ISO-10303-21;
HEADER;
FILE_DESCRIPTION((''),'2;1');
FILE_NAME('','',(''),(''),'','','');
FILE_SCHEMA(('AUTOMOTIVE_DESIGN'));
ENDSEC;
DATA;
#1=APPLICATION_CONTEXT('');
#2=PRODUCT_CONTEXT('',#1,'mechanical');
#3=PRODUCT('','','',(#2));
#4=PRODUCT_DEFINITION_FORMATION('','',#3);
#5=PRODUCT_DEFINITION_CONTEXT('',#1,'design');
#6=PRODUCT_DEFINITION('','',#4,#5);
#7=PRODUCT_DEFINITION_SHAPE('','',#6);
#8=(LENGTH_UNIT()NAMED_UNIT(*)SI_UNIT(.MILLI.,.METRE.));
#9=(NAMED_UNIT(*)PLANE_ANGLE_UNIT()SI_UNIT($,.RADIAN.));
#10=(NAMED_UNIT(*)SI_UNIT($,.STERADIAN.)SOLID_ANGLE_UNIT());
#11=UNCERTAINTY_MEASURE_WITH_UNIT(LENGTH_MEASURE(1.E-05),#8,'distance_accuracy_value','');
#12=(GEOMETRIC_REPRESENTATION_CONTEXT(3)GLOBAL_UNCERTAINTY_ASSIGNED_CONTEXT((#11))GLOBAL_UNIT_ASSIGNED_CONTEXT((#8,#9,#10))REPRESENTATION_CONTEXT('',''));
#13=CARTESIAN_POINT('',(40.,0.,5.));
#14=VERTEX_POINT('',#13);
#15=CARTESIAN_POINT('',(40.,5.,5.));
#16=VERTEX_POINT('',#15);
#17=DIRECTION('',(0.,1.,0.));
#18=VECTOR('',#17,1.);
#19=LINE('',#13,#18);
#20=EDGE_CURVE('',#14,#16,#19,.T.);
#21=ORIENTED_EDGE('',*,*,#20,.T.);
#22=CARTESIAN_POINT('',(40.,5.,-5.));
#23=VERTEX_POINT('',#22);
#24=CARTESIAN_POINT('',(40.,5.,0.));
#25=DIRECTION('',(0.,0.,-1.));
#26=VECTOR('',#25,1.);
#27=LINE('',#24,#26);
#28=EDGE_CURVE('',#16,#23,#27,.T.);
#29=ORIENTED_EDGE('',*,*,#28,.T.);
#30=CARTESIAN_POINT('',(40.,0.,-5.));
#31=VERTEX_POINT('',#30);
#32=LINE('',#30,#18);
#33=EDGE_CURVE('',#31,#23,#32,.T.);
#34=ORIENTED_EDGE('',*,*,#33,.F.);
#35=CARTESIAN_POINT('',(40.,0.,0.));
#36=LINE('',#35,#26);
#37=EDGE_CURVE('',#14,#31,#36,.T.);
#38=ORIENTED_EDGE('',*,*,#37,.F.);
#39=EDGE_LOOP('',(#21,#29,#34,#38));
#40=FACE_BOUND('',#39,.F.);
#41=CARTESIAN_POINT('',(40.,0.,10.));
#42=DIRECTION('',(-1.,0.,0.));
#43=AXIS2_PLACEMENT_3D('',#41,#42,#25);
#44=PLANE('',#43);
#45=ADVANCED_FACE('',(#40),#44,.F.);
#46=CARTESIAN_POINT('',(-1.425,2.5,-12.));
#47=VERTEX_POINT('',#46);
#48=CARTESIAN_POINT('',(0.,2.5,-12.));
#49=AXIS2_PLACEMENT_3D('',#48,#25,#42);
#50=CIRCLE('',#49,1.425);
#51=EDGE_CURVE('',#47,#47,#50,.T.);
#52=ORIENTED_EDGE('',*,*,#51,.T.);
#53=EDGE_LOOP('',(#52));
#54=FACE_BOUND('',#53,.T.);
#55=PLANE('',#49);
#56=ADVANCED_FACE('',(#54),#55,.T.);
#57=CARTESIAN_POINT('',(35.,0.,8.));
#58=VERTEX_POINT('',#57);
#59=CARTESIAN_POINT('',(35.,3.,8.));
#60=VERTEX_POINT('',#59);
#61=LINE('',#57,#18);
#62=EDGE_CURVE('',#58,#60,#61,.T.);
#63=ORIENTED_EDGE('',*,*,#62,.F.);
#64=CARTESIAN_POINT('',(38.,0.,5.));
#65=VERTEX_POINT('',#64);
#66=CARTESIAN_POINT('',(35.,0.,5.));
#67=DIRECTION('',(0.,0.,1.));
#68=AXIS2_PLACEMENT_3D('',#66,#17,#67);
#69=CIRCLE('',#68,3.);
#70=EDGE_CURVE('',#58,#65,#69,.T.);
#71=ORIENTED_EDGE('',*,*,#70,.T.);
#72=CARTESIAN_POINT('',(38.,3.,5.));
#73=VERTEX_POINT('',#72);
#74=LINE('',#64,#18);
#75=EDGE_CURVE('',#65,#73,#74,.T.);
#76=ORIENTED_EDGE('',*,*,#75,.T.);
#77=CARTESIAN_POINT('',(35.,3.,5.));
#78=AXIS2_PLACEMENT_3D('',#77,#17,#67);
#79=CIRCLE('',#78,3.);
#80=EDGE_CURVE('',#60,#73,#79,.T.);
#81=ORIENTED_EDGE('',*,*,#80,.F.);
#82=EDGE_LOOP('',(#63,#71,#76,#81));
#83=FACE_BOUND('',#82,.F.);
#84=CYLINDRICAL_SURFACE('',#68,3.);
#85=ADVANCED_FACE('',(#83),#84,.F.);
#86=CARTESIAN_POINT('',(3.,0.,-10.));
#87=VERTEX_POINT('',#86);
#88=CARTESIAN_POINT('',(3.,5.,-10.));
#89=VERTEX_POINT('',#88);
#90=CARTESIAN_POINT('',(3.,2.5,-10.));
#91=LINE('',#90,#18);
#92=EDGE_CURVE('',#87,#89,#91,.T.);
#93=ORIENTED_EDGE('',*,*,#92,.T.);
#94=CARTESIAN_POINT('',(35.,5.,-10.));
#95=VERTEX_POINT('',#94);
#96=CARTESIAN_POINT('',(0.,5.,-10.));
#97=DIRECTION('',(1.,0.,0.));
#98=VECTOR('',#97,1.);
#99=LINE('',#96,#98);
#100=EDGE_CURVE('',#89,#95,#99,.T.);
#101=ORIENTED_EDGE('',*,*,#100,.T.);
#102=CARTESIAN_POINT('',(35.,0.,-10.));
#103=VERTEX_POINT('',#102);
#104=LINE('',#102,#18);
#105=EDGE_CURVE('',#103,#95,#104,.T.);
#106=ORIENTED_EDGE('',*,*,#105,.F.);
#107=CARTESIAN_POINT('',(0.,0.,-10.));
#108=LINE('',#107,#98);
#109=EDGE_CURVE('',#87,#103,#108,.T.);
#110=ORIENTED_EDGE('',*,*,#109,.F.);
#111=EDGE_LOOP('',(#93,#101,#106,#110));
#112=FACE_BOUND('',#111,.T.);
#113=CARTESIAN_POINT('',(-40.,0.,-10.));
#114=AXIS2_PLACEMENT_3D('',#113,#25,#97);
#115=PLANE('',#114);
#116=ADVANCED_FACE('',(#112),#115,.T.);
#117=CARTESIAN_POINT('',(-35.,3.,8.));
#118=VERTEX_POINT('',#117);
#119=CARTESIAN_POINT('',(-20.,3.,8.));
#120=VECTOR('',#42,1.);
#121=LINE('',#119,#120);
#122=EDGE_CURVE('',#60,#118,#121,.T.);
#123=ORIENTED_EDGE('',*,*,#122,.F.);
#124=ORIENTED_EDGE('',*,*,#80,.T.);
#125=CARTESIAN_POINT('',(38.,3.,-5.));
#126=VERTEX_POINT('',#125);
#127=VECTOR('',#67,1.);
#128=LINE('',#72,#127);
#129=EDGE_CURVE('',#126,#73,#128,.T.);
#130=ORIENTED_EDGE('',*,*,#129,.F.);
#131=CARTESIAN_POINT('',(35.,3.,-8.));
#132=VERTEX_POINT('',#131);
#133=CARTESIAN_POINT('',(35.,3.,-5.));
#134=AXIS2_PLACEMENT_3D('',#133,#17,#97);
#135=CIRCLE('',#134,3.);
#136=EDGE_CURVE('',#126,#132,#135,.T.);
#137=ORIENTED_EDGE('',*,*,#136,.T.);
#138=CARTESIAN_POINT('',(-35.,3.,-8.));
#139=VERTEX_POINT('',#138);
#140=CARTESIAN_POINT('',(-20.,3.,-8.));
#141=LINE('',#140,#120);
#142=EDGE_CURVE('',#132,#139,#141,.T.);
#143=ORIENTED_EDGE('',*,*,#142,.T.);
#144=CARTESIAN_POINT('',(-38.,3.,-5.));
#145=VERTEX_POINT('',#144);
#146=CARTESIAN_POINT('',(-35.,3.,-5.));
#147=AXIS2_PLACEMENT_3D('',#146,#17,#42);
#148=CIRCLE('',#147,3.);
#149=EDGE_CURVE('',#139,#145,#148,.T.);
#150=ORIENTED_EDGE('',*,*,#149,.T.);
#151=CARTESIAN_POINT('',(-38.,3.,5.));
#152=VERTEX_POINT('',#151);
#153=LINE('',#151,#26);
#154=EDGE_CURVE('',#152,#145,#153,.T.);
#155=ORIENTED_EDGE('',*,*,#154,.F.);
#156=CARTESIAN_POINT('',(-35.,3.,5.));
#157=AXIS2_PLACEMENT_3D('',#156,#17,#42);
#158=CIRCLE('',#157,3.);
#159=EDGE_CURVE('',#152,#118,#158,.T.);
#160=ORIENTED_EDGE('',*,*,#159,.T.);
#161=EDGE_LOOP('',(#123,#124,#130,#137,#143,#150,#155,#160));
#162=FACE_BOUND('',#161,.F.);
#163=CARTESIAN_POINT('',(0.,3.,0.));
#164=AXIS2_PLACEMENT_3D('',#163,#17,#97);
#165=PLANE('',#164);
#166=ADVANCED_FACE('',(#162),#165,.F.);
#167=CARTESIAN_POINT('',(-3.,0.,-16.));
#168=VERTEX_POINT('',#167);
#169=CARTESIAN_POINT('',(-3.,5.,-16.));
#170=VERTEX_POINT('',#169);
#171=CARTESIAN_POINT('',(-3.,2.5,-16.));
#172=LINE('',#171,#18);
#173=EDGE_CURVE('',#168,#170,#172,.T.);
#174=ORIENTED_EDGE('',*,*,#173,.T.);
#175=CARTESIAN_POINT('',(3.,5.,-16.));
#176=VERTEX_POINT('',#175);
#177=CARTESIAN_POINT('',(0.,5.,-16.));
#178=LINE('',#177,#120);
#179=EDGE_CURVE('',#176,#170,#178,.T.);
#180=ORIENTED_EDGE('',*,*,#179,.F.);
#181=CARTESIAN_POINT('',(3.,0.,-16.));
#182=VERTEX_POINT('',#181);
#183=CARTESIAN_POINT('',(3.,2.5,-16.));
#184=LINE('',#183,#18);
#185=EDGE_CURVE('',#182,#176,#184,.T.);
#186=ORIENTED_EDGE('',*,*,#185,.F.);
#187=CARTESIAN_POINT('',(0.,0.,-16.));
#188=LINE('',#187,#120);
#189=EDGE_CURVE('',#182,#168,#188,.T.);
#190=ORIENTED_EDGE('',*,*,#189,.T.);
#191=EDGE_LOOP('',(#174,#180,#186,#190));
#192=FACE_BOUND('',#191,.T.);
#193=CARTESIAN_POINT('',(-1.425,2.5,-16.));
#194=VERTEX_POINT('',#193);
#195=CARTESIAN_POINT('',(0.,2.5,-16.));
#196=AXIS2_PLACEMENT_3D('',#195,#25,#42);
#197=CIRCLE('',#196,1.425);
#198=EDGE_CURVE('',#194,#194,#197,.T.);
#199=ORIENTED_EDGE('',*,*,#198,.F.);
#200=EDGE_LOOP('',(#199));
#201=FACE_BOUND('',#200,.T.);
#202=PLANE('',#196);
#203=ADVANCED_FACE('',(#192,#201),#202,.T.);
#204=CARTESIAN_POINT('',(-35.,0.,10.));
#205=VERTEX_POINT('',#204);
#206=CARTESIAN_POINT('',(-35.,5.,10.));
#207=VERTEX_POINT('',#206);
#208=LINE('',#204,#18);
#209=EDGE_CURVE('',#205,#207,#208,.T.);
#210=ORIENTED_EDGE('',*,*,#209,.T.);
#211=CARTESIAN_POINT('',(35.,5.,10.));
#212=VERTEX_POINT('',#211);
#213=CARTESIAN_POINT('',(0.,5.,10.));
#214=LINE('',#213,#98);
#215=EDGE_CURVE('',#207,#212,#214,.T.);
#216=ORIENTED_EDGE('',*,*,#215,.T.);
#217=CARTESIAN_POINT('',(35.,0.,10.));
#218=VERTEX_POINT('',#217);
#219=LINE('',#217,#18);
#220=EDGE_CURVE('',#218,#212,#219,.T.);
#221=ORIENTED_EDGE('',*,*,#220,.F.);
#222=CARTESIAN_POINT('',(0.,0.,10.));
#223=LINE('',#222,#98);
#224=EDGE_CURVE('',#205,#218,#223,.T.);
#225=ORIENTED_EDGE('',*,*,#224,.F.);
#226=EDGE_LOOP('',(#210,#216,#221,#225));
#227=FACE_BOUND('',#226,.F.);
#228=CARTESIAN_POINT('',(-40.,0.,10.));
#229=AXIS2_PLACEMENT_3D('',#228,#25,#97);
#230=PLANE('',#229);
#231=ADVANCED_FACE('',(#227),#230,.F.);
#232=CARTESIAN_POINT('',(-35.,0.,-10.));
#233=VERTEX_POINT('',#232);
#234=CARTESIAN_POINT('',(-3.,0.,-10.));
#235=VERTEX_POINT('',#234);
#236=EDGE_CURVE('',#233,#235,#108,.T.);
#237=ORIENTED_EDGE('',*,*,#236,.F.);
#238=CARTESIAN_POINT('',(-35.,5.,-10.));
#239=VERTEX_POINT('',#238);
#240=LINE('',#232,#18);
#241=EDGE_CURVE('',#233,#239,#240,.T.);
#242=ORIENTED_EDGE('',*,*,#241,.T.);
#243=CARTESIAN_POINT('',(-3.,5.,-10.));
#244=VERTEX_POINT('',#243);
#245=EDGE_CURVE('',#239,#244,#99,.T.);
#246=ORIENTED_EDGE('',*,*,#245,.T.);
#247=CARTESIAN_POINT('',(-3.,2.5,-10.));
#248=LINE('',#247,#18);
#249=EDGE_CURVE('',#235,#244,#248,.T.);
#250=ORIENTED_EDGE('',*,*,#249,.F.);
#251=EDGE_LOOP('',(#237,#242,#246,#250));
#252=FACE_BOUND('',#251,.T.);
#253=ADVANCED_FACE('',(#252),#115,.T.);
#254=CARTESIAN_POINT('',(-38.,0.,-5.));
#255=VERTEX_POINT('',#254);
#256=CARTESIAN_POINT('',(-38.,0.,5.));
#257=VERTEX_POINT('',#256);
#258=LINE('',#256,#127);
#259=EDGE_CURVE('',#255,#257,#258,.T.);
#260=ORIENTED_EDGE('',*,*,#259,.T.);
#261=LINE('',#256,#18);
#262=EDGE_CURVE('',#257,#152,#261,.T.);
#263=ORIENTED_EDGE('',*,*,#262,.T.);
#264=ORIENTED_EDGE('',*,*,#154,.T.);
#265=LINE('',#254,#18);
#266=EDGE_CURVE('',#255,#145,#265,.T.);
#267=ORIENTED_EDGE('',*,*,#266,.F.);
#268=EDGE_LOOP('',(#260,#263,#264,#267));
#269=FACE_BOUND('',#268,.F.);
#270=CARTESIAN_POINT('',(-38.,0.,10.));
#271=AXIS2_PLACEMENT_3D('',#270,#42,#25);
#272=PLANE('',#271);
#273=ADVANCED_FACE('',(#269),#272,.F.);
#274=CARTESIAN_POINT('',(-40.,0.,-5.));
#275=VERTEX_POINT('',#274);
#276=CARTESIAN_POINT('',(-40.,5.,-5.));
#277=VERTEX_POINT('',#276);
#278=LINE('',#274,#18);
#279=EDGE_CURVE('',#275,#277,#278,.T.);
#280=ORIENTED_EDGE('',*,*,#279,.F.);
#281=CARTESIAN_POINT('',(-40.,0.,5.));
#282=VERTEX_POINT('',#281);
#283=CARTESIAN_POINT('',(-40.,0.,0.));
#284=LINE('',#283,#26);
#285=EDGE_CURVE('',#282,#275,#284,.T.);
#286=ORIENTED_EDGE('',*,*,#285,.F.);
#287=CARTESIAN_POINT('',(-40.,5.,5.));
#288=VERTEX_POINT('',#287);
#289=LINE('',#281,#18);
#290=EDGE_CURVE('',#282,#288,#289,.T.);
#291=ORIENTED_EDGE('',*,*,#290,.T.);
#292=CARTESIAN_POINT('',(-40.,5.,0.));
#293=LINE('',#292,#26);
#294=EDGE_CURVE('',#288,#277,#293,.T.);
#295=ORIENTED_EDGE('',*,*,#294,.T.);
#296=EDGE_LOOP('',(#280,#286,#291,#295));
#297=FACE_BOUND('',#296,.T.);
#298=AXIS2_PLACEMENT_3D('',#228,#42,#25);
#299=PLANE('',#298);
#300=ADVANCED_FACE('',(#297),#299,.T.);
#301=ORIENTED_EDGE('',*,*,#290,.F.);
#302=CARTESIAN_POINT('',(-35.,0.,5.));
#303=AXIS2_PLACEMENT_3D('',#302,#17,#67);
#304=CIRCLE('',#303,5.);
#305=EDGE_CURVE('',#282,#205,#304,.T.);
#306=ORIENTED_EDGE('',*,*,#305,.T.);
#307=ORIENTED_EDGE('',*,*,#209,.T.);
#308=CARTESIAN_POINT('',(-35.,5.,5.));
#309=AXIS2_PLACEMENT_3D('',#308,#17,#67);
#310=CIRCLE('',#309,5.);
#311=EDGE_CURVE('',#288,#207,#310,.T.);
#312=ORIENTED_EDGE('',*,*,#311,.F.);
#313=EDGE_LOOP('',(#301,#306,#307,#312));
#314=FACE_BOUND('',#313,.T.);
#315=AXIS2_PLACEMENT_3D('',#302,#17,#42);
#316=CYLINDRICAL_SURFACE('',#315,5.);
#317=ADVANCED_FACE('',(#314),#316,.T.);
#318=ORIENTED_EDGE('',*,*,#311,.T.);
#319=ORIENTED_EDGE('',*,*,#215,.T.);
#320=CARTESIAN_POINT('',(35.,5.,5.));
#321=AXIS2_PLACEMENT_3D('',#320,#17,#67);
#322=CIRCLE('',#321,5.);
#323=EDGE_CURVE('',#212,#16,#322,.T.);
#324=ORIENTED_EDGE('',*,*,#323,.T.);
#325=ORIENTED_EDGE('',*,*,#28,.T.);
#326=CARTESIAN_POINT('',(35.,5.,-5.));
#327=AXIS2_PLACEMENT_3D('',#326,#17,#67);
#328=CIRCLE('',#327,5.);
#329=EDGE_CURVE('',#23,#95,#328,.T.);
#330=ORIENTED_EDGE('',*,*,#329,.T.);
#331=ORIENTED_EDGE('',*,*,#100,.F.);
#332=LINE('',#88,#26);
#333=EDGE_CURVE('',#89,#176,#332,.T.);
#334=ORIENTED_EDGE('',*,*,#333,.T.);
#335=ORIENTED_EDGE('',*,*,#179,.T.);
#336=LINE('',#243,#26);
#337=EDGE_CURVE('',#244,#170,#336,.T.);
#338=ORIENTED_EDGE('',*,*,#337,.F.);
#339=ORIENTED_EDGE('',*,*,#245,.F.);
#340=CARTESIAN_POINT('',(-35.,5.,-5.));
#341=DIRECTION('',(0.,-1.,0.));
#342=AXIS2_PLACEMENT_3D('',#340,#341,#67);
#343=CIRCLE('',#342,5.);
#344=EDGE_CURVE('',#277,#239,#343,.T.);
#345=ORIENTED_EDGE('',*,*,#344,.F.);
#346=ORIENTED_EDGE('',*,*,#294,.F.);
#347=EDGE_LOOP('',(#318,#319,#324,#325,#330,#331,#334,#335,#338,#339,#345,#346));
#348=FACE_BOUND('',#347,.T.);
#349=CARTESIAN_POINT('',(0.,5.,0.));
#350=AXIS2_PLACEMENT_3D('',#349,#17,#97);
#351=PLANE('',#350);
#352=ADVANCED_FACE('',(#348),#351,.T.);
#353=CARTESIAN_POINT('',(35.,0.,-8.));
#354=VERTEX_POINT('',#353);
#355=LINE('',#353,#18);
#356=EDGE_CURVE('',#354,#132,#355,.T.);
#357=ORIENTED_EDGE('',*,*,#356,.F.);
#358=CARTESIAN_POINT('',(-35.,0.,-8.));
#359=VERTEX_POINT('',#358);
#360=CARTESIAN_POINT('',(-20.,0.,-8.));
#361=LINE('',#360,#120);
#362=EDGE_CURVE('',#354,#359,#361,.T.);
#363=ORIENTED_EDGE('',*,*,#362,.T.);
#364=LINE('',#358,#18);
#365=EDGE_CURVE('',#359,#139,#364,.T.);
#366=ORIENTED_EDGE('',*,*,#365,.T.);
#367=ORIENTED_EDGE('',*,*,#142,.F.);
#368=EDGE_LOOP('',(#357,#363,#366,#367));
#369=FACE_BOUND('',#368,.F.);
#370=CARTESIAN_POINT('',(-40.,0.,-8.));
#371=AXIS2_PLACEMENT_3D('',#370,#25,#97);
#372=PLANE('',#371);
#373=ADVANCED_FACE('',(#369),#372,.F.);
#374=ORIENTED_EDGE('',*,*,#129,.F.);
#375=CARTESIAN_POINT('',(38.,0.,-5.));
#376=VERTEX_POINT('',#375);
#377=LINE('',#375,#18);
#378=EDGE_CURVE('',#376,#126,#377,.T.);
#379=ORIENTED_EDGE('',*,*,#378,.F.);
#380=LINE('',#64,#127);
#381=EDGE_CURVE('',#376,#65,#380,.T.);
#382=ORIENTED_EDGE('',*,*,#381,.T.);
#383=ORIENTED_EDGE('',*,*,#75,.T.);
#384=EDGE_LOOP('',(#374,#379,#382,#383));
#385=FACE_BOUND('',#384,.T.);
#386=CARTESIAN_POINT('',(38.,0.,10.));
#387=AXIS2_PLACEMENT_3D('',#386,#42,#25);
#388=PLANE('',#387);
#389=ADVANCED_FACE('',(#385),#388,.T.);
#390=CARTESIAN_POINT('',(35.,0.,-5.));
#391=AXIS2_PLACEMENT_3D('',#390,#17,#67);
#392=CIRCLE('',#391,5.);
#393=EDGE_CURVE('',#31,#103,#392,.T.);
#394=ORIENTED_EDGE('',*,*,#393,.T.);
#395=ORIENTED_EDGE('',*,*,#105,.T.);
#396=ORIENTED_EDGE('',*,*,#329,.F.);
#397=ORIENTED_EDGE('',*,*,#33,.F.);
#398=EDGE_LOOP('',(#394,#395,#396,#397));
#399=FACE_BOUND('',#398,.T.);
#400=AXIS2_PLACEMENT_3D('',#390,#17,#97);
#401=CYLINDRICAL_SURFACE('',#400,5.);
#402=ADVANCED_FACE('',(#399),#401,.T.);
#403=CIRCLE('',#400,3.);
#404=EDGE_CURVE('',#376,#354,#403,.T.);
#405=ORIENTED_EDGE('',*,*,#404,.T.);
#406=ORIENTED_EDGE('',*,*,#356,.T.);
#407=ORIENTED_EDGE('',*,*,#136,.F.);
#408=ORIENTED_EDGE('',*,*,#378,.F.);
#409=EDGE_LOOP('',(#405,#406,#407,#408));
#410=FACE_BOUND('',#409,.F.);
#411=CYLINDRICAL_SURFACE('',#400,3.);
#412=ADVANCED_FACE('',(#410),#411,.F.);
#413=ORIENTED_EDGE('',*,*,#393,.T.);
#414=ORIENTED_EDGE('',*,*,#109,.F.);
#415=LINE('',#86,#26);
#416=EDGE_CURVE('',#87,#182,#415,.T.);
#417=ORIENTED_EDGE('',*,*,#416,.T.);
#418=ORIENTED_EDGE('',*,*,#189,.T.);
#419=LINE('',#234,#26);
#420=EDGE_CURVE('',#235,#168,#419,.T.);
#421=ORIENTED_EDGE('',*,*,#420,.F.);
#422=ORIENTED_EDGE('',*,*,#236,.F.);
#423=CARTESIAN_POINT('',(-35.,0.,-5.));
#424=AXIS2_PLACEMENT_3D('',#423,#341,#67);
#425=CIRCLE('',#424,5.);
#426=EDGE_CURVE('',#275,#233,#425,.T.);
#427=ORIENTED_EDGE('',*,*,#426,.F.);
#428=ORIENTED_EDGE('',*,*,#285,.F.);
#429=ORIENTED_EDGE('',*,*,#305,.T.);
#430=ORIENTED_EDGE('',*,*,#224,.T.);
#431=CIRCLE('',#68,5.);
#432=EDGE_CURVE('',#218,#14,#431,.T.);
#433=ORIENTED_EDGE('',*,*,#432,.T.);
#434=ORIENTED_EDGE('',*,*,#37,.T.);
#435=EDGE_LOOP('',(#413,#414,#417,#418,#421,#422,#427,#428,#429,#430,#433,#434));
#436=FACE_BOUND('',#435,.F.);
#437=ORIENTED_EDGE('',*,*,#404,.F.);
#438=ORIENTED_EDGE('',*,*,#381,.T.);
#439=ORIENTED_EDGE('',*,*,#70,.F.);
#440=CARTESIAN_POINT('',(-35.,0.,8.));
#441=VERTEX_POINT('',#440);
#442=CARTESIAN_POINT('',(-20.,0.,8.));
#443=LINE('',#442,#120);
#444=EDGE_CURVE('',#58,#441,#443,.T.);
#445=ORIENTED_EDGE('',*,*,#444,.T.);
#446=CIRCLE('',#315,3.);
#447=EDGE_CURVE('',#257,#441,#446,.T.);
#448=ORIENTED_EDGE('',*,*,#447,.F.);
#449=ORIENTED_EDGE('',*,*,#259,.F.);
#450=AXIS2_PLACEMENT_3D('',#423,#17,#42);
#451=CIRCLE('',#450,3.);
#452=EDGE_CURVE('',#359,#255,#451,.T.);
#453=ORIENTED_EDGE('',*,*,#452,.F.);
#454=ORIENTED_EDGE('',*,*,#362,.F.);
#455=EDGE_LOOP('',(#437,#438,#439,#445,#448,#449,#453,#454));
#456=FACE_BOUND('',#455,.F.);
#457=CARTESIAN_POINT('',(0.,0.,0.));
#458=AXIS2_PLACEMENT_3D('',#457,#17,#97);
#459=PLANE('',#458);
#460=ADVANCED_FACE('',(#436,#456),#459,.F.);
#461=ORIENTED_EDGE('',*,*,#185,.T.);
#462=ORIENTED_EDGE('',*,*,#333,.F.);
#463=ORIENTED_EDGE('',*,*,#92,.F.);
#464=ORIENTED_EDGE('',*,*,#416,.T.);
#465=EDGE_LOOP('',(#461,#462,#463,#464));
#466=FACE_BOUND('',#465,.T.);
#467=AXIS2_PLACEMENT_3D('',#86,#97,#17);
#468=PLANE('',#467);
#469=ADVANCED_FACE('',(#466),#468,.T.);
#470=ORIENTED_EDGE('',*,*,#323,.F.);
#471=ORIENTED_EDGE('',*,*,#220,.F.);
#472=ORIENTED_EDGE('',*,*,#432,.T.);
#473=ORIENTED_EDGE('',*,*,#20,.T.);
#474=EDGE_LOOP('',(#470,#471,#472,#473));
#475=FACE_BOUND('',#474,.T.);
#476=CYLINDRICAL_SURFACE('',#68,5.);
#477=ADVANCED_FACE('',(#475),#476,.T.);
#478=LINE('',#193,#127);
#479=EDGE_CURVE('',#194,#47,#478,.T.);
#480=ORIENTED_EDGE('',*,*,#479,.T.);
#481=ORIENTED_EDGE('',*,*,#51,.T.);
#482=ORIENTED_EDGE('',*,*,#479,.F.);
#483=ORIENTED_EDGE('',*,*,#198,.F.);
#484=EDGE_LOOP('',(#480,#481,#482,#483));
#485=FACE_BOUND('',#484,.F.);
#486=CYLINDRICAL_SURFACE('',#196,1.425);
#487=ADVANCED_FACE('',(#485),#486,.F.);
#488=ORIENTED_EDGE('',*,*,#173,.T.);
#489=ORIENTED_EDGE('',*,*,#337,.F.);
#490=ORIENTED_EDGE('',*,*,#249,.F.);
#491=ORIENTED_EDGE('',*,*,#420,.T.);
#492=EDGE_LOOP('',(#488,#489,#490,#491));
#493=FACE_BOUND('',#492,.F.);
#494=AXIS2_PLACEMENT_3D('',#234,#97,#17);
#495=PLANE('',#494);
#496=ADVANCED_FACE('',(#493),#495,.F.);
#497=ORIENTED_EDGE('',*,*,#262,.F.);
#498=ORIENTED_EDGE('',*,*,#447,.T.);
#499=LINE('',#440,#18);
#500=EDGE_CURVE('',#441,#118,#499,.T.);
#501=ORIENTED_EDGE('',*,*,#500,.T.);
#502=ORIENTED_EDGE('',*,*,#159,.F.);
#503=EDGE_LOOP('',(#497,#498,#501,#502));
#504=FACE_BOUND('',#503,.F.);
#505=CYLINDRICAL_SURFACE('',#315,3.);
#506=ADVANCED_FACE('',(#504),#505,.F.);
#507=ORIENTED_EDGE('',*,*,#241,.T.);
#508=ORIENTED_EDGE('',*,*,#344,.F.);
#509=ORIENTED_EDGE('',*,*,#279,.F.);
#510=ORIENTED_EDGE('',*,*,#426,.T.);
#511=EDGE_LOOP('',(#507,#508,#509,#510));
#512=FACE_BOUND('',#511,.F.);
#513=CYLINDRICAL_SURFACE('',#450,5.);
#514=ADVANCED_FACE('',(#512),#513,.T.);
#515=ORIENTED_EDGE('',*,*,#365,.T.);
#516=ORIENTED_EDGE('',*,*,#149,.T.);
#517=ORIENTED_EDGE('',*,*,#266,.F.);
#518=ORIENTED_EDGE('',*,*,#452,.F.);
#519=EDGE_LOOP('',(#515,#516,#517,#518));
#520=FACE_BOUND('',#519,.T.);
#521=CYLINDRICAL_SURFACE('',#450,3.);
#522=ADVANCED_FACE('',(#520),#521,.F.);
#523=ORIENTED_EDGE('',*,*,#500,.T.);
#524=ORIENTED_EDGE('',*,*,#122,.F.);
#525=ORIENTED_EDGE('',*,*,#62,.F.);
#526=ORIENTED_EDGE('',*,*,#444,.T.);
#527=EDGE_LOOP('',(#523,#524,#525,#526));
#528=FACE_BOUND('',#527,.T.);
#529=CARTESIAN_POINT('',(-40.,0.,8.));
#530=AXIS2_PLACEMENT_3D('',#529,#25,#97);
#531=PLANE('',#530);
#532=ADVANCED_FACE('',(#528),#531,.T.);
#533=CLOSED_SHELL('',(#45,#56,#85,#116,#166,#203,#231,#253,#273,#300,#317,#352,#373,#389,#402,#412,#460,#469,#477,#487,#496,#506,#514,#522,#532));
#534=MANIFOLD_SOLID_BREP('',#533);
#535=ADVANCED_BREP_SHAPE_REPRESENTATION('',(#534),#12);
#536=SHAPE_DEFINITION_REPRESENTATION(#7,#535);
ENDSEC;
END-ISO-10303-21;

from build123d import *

# Parameters (mm, degrees)
SKETCH1_W           = 80
SKETCH1_H           = 20
BOSS_EXTRUDE1_DEPTH = 5
FILLET1_R           = 5
SHELL1_T            = -2
SKETCH2_W           = 6
SKETCH2_H           = 5
BOSS_EXTRUDE2_DEPTH = 6
SKETCH3_R           = 1.425
CUT_EXTRUDE2_DEPTH  = 4


with BuildPart() as part:
    # Sketch1 → Boss-Extrude1 (new body)
    with BuildSketch(Plane(origin=(0, 0, 0), x_dir=(1, 0, 0), z_dir=(0, 1, 0))):
        Rectangle(SKETCH1_W, SKETCH1_H)
    extrude(amount=BOSS_EXTRUDE1_DEPTH)

    # Fillet1
    fillet1_edges = [part.edges().sort_by_distance(p)[0] for p in [
        (-40, 2.5, -10),
        (40, 2.5, -10),
        (40, 2.5, 10),
        (-40, 2.5, 10),
    ]]
    fillet(fillet1_edges, radius=FILLET1_R)

    # Shell1
    shell1_openings = [part.faces().sort_by_distance(p)[0] for p in [
        (0, 0, 0),
    ]]
    offset(amount=SHELL1_T, openings=shell1_openings, kind=Kind.INTERSECTION)

    # Sketch2 → Boss-Extrude2 (add)
    with BuildSketch(Plane(origin=(0, 0, -10), x_dir=(-1, 0, 0), z_dir=(0, 0, -1))):
        with Locations((0, 2.5)):
            Rectangle(SKETCH2_W, SKETCH2_H)
    extrude(amount=BOSS_EXTRUDE2_DEPTH)

    # Sketch3 → Cut-Extrude2 (cut)
    with BuildSketch(Plane(origin=(0, 0, -16), x_dir=(-1, 0, 0), z_dir=(0, 0, -1))):
        with Locations((0, 2.5)):
            Circle(SKETCH3_R)
    extrude(amount=-CUT_EXTRUDE2_DEPTH, mode=Mode.SUBTRACT)


solid = part.part
